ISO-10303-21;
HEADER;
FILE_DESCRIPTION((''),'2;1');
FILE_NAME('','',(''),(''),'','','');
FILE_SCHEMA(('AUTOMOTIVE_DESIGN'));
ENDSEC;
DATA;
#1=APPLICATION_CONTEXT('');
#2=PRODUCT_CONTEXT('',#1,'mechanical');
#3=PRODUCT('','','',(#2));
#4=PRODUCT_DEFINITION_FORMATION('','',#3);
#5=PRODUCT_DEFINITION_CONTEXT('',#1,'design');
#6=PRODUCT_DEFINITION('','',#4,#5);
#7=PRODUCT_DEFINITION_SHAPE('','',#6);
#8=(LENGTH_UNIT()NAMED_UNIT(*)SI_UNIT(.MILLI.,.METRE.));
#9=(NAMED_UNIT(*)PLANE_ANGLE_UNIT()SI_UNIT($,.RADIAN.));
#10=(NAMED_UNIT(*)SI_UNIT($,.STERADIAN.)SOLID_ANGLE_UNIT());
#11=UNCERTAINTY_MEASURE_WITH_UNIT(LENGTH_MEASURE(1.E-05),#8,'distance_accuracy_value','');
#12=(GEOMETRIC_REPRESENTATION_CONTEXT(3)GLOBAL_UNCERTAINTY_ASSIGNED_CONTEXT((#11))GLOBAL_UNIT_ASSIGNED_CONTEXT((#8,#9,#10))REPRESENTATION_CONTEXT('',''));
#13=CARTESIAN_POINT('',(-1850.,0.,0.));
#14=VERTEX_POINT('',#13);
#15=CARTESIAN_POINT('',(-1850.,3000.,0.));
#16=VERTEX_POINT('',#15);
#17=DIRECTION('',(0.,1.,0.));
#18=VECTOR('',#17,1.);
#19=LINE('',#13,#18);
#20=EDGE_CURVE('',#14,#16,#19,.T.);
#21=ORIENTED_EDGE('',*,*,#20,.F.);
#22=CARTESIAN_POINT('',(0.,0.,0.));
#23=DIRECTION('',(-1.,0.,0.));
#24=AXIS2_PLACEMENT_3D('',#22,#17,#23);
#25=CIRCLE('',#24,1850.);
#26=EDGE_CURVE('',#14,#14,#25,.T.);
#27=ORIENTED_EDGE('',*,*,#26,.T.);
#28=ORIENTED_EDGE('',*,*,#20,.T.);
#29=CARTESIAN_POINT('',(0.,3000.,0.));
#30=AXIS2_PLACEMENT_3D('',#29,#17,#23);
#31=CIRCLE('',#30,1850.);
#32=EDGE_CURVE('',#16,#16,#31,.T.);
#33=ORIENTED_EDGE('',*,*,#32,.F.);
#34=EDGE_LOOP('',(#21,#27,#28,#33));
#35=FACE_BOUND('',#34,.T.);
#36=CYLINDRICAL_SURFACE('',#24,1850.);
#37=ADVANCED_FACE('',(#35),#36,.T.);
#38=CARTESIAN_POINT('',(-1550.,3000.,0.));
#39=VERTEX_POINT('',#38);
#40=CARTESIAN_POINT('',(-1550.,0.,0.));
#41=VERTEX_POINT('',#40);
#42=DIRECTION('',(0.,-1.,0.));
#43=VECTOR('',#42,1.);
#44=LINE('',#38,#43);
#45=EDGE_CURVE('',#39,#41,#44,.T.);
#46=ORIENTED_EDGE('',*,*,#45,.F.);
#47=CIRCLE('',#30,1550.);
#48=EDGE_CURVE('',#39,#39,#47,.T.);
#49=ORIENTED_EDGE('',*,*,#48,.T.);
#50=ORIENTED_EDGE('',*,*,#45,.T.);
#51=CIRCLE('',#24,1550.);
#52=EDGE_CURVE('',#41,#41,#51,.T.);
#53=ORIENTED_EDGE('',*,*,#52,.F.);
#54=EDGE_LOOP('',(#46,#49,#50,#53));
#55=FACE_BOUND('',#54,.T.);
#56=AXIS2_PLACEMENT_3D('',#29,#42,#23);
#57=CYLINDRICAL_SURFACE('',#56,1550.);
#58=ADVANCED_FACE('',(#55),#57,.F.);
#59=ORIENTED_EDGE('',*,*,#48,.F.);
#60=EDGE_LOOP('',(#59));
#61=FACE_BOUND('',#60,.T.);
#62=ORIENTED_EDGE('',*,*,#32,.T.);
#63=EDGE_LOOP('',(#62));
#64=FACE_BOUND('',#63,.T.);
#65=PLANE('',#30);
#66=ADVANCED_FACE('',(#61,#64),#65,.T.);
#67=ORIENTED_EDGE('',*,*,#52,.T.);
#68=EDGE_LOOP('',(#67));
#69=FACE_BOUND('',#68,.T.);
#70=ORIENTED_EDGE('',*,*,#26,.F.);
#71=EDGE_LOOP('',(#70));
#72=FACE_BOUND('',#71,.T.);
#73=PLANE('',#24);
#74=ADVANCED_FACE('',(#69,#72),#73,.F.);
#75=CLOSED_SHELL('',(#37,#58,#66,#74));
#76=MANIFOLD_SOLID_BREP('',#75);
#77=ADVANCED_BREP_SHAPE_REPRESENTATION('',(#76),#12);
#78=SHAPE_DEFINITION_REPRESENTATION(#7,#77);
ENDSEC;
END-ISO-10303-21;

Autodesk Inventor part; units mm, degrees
ref_plane "YZ Plane" through (0, 0, 0) normal (1, 0, 0) x (0, 1, 0)
ref_plane "XZ Plane" through (0, 0, 0) normal (0, 1, 0) x (-1, 0, 0)
ref_plane "XY Plane" through (0, 0, 0) normal (0, 0, 1) x (1, 0, 0)
sketch "Sketch1" plane through (0, 0, 0) normal (0, 0, 1) x (1, 0, 0)
  line L0 (-1850, 3000) -> (-1550, 3000)
  line L1 (-1550, 3000) -> (-1550, 0)
  line L2 (-1550, 0) -> (-1850, 0)
  line L3 (-1850, 0) -> (-1850, 3000)
  line L4 (0, 3600) -> (0, -600) projected
  line L5 (-2220, 0) -> (370, 0) projected
  line L6 (0, -600) -> (0, 3600) projected
  point P0 (0, 0)
  dimension "d0" = 1550
  dimension "d1" = 1850
  dimension "d2" = 0
  dimension "d3" = 3000
revolve "Revolution1" add sketch "Sketch1" angle 360 about axis through (0, -10, 0) along (0, 1, 0)
properties part number "cargotrunk"
